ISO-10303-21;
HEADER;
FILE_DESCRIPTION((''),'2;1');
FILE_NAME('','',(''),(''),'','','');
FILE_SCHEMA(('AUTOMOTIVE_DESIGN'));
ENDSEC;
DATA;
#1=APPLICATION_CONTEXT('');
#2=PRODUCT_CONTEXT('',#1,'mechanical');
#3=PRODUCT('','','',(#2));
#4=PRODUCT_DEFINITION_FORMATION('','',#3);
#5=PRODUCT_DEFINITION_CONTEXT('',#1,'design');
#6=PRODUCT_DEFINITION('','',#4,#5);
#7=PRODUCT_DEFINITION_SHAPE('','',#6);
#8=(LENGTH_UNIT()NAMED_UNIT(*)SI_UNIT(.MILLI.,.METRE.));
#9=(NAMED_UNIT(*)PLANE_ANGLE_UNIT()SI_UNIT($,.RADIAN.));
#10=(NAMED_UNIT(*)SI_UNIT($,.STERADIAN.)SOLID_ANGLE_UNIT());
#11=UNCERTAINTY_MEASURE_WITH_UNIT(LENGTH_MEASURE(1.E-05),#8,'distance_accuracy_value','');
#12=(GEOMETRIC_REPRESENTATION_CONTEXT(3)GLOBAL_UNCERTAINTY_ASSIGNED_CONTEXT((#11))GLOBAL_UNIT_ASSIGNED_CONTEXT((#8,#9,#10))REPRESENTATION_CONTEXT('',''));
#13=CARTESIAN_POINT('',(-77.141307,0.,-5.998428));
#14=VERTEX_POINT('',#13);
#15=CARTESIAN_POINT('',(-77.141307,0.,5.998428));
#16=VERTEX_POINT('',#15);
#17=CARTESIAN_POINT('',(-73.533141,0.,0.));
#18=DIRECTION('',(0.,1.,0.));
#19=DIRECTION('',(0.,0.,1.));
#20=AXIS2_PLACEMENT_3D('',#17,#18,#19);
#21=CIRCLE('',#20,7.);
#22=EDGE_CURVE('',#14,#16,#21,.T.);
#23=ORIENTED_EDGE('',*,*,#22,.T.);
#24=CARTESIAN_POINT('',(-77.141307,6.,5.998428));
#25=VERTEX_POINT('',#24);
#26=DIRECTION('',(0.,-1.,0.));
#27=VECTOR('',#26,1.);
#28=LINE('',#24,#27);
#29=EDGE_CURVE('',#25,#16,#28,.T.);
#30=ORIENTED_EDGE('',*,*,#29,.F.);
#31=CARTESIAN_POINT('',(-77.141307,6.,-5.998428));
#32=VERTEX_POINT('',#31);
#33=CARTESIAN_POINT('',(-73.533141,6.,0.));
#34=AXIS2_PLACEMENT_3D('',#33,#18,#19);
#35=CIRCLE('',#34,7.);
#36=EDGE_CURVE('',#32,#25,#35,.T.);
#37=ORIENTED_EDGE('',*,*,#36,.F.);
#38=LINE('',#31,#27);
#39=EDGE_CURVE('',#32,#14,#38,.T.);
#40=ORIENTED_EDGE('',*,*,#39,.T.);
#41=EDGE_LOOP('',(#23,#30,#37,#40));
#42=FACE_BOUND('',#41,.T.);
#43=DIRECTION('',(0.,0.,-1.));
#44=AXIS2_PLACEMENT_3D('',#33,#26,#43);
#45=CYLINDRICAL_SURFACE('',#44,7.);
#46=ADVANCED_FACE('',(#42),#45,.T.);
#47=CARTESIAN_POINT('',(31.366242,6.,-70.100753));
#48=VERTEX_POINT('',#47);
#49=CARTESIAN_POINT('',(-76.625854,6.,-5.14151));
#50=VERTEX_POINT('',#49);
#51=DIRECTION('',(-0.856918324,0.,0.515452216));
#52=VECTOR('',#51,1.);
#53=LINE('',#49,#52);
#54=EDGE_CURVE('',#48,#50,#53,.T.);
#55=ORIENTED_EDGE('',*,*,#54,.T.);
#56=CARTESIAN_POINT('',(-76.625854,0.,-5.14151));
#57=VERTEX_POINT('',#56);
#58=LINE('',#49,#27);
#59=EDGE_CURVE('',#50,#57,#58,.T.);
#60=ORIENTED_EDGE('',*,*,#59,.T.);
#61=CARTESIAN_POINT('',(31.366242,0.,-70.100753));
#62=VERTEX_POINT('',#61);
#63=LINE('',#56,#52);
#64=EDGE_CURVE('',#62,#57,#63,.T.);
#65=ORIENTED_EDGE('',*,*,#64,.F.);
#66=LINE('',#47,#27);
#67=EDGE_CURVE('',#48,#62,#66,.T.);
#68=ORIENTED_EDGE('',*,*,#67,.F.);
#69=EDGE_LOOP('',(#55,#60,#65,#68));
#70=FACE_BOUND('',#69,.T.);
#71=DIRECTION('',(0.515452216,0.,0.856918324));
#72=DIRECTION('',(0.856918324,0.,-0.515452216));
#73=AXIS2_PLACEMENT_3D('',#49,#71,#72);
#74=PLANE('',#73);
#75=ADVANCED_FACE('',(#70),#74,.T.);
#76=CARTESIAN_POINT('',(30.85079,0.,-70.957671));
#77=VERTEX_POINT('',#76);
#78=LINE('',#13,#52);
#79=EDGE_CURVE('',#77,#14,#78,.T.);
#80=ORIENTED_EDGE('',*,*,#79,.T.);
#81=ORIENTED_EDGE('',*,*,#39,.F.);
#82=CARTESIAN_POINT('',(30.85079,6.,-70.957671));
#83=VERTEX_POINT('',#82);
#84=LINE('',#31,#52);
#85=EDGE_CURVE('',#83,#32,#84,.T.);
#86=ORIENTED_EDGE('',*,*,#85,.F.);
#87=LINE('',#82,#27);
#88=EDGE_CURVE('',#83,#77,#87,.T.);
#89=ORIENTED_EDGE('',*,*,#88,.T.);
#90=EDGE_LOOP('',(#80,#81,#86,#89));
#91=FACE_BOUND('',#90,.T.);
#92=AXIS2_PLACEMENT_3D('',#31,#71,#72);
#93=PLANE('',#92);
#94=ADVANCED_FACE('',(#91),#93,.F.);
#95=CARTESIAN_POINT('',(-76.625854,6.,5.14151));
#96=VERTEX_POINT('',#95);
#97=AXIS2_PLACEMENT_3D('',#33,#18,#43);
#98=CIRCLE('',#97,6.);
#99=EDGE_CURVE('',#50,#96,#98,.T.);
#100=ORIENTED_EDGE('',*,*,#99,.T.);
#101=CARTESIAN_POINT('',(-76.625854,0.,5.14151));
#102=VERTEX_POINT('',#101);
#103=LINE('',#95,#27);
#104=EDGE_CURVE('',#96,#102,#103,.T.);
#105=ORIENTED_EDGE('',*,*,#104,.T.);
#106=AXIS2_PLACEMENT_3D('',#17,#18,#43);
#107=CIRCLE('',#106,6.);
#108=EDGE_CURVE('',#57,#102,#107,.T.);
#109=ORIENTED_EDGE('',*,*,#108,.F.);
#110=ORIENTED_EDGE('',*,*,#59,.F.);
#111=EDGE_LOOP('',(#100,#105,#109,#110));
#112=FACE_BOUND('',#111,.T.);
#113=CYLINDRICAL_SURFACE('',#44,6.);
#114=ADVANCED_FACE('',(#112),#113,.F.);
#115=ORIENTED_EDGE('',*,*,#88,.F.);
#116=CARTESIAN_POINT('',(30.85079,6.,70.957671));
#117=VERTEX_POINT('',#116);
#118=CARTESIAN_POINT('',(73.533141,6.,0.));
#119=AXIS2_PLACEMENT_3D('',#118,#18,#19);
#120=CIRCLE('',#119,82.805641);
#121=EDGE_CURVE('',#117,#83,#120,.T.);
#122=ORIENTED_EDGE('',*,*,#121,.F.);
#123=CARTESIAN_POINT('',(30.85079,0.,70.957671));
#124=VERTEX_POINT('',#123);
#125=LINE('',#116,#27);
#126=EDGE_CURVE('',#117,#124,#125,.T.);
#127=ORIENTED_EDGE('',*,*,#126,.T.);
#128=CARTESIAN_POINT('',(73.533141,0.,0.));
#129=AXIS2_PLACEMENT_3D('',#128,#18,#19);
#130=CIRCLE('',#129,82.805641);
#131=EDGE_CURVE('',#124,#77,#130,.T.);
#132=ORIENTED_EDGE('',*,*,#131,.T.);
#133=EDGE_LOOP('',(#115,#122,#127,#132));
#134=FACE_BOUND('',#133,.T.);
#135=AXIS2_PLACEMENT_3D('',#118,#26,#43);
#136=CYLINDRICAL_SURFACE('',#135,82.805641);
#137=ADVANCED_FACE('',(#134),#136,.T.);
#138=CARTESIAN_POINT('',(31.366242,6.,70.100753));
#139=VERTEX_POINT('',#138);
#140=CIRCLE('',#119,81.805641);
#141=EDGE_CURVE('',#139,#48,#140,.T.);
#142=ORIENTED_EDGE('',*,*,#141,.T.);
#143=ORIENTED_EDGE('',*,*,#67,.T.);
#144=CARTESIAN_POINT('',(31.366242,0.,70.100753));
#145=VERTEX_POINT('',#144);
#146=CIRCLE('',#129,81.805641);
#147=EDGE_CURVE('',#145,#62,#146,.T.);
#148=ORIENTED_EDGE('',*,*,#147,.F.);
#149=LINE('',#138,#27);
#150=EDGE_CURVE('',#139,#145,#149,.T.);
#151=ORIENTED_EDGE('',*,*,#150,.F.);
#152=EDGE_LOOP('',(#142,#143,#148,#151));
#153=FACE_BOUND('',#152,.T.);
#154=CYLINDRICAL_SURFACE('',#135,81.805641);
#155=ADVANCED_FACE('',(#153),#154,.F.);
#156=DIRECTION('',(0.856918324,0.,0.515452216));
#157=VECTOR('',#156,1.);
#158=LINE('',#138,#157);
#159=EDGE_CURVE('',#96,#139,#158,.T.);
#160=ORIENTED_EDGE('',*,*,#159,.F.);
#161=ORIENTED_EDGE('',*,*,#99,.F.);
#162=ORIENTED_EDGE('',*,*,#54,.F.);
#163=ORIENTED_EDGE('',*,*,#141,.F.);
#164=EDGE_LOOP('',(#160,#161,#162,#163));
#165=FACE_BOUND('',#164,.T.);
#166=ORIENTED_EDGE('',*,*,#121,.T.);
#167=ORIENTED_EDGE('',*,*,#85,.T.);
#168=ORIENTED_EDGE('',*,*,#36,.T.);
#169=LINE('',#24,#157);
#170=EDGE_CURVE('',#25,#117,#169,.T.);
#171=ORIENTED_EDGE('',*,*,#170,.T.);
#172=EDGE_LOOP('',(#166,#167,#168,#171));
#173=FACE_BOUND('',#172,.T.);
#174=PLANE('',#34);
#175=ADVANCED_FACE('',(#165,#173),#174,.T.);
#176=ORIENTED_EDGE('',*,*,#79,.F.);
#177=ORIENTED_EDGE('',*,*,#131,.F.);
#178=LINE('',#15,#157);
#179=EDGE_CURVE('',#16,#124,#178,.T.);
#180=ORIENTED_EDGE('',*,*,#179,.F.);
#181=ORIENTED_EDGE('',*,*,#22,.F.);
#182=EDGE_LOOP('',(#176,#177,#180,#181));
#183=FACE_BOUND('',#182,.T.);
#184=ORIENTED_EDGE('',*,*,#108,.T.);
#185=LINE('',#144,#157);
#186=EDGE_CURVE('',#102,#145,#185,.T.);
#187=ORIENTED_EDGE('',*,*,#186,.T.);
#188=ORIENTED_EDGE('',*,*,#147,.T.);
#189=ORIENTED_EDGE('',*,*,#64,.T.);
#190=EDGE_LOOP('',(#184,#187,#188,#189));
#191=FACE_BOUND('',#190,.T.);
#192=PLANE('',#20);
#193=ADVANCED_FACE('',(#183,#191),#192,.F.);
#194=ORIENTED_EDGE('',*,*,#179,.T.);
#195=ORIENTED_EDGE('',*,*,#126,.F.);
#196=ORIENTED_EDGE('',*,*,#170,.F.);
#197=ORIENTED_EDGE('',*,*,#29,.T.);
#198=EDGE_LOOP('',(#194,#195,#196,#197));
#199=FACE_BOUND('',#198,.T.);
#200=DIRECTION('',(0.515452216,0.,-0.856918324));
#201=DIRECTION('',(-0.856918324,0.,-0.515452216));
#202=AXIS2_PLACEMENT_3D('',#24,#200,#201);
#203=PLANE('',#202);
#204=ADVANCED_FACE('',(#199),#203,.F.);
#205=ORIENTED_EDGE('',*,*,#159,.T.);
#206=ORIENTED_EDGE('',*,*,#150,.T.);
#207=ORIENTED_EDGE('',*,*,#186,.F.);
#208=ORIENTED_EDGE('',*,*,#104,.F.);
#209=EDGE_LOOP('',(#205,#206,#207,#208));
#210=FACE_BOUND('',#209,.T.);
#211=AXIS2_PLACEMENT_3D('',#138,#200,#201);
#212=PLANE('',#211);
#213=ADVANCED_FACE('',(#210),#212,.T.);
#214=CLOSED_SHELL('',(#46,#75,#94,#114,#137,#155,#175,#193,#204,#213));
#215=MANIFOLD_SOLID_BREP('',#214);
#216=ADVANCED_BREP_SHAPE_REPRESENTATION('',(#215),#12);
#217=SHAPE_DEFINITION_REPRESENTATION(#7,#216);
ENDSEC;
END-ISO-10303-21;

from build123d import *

# Parameters (mm, degrees)
BOSS_EXTRUDE1_DEPTH = 6


with BuildPart() as part:
    # Sketch1 → Boss-Extrude1 (new body)
    with BuildSketch(Plane(origin=(0, 0, 0), x_dir=(1, 0, 0), z_dir=(0, 1, 0))):
        with BuildLine():
            Line((-77.141306584, 5.998428265), (30.850789941, 70.957671067))
            ThreePointArc((30.850789941, 70.957671067), (156.338782074, 0), (30.850789941, -70.957671067))
            Line((30.850789941, -70.957671067), (-77.141306584, -5.998428265))
            ThreePointArc((-77.141306584, -5.998428265), (-80.533141074, 0), (-77.141306584, 5.998428265))
        make_face()
        with BuildLine():
            Line((-76.625854368, 5.141509941), (31.366242156, 70.100752743))
            ThreePointArc((31.366242156, 70.100752743), (155.338782074, 0), (31.366242156, -70.100752743))
            Line((31.366242156, -70.100752743), (-76.625854368, -5.141509941))
            ThreePointArc((-76.625854368, -5.141509941), (-79.533141074, 0), (-76.625854368, 5.141509941))
        make_face(mode=Mode.SUBTRACT)
    extrude(amount=BOSS_EXTRUDE1_DEPTH)


solid = part.part
